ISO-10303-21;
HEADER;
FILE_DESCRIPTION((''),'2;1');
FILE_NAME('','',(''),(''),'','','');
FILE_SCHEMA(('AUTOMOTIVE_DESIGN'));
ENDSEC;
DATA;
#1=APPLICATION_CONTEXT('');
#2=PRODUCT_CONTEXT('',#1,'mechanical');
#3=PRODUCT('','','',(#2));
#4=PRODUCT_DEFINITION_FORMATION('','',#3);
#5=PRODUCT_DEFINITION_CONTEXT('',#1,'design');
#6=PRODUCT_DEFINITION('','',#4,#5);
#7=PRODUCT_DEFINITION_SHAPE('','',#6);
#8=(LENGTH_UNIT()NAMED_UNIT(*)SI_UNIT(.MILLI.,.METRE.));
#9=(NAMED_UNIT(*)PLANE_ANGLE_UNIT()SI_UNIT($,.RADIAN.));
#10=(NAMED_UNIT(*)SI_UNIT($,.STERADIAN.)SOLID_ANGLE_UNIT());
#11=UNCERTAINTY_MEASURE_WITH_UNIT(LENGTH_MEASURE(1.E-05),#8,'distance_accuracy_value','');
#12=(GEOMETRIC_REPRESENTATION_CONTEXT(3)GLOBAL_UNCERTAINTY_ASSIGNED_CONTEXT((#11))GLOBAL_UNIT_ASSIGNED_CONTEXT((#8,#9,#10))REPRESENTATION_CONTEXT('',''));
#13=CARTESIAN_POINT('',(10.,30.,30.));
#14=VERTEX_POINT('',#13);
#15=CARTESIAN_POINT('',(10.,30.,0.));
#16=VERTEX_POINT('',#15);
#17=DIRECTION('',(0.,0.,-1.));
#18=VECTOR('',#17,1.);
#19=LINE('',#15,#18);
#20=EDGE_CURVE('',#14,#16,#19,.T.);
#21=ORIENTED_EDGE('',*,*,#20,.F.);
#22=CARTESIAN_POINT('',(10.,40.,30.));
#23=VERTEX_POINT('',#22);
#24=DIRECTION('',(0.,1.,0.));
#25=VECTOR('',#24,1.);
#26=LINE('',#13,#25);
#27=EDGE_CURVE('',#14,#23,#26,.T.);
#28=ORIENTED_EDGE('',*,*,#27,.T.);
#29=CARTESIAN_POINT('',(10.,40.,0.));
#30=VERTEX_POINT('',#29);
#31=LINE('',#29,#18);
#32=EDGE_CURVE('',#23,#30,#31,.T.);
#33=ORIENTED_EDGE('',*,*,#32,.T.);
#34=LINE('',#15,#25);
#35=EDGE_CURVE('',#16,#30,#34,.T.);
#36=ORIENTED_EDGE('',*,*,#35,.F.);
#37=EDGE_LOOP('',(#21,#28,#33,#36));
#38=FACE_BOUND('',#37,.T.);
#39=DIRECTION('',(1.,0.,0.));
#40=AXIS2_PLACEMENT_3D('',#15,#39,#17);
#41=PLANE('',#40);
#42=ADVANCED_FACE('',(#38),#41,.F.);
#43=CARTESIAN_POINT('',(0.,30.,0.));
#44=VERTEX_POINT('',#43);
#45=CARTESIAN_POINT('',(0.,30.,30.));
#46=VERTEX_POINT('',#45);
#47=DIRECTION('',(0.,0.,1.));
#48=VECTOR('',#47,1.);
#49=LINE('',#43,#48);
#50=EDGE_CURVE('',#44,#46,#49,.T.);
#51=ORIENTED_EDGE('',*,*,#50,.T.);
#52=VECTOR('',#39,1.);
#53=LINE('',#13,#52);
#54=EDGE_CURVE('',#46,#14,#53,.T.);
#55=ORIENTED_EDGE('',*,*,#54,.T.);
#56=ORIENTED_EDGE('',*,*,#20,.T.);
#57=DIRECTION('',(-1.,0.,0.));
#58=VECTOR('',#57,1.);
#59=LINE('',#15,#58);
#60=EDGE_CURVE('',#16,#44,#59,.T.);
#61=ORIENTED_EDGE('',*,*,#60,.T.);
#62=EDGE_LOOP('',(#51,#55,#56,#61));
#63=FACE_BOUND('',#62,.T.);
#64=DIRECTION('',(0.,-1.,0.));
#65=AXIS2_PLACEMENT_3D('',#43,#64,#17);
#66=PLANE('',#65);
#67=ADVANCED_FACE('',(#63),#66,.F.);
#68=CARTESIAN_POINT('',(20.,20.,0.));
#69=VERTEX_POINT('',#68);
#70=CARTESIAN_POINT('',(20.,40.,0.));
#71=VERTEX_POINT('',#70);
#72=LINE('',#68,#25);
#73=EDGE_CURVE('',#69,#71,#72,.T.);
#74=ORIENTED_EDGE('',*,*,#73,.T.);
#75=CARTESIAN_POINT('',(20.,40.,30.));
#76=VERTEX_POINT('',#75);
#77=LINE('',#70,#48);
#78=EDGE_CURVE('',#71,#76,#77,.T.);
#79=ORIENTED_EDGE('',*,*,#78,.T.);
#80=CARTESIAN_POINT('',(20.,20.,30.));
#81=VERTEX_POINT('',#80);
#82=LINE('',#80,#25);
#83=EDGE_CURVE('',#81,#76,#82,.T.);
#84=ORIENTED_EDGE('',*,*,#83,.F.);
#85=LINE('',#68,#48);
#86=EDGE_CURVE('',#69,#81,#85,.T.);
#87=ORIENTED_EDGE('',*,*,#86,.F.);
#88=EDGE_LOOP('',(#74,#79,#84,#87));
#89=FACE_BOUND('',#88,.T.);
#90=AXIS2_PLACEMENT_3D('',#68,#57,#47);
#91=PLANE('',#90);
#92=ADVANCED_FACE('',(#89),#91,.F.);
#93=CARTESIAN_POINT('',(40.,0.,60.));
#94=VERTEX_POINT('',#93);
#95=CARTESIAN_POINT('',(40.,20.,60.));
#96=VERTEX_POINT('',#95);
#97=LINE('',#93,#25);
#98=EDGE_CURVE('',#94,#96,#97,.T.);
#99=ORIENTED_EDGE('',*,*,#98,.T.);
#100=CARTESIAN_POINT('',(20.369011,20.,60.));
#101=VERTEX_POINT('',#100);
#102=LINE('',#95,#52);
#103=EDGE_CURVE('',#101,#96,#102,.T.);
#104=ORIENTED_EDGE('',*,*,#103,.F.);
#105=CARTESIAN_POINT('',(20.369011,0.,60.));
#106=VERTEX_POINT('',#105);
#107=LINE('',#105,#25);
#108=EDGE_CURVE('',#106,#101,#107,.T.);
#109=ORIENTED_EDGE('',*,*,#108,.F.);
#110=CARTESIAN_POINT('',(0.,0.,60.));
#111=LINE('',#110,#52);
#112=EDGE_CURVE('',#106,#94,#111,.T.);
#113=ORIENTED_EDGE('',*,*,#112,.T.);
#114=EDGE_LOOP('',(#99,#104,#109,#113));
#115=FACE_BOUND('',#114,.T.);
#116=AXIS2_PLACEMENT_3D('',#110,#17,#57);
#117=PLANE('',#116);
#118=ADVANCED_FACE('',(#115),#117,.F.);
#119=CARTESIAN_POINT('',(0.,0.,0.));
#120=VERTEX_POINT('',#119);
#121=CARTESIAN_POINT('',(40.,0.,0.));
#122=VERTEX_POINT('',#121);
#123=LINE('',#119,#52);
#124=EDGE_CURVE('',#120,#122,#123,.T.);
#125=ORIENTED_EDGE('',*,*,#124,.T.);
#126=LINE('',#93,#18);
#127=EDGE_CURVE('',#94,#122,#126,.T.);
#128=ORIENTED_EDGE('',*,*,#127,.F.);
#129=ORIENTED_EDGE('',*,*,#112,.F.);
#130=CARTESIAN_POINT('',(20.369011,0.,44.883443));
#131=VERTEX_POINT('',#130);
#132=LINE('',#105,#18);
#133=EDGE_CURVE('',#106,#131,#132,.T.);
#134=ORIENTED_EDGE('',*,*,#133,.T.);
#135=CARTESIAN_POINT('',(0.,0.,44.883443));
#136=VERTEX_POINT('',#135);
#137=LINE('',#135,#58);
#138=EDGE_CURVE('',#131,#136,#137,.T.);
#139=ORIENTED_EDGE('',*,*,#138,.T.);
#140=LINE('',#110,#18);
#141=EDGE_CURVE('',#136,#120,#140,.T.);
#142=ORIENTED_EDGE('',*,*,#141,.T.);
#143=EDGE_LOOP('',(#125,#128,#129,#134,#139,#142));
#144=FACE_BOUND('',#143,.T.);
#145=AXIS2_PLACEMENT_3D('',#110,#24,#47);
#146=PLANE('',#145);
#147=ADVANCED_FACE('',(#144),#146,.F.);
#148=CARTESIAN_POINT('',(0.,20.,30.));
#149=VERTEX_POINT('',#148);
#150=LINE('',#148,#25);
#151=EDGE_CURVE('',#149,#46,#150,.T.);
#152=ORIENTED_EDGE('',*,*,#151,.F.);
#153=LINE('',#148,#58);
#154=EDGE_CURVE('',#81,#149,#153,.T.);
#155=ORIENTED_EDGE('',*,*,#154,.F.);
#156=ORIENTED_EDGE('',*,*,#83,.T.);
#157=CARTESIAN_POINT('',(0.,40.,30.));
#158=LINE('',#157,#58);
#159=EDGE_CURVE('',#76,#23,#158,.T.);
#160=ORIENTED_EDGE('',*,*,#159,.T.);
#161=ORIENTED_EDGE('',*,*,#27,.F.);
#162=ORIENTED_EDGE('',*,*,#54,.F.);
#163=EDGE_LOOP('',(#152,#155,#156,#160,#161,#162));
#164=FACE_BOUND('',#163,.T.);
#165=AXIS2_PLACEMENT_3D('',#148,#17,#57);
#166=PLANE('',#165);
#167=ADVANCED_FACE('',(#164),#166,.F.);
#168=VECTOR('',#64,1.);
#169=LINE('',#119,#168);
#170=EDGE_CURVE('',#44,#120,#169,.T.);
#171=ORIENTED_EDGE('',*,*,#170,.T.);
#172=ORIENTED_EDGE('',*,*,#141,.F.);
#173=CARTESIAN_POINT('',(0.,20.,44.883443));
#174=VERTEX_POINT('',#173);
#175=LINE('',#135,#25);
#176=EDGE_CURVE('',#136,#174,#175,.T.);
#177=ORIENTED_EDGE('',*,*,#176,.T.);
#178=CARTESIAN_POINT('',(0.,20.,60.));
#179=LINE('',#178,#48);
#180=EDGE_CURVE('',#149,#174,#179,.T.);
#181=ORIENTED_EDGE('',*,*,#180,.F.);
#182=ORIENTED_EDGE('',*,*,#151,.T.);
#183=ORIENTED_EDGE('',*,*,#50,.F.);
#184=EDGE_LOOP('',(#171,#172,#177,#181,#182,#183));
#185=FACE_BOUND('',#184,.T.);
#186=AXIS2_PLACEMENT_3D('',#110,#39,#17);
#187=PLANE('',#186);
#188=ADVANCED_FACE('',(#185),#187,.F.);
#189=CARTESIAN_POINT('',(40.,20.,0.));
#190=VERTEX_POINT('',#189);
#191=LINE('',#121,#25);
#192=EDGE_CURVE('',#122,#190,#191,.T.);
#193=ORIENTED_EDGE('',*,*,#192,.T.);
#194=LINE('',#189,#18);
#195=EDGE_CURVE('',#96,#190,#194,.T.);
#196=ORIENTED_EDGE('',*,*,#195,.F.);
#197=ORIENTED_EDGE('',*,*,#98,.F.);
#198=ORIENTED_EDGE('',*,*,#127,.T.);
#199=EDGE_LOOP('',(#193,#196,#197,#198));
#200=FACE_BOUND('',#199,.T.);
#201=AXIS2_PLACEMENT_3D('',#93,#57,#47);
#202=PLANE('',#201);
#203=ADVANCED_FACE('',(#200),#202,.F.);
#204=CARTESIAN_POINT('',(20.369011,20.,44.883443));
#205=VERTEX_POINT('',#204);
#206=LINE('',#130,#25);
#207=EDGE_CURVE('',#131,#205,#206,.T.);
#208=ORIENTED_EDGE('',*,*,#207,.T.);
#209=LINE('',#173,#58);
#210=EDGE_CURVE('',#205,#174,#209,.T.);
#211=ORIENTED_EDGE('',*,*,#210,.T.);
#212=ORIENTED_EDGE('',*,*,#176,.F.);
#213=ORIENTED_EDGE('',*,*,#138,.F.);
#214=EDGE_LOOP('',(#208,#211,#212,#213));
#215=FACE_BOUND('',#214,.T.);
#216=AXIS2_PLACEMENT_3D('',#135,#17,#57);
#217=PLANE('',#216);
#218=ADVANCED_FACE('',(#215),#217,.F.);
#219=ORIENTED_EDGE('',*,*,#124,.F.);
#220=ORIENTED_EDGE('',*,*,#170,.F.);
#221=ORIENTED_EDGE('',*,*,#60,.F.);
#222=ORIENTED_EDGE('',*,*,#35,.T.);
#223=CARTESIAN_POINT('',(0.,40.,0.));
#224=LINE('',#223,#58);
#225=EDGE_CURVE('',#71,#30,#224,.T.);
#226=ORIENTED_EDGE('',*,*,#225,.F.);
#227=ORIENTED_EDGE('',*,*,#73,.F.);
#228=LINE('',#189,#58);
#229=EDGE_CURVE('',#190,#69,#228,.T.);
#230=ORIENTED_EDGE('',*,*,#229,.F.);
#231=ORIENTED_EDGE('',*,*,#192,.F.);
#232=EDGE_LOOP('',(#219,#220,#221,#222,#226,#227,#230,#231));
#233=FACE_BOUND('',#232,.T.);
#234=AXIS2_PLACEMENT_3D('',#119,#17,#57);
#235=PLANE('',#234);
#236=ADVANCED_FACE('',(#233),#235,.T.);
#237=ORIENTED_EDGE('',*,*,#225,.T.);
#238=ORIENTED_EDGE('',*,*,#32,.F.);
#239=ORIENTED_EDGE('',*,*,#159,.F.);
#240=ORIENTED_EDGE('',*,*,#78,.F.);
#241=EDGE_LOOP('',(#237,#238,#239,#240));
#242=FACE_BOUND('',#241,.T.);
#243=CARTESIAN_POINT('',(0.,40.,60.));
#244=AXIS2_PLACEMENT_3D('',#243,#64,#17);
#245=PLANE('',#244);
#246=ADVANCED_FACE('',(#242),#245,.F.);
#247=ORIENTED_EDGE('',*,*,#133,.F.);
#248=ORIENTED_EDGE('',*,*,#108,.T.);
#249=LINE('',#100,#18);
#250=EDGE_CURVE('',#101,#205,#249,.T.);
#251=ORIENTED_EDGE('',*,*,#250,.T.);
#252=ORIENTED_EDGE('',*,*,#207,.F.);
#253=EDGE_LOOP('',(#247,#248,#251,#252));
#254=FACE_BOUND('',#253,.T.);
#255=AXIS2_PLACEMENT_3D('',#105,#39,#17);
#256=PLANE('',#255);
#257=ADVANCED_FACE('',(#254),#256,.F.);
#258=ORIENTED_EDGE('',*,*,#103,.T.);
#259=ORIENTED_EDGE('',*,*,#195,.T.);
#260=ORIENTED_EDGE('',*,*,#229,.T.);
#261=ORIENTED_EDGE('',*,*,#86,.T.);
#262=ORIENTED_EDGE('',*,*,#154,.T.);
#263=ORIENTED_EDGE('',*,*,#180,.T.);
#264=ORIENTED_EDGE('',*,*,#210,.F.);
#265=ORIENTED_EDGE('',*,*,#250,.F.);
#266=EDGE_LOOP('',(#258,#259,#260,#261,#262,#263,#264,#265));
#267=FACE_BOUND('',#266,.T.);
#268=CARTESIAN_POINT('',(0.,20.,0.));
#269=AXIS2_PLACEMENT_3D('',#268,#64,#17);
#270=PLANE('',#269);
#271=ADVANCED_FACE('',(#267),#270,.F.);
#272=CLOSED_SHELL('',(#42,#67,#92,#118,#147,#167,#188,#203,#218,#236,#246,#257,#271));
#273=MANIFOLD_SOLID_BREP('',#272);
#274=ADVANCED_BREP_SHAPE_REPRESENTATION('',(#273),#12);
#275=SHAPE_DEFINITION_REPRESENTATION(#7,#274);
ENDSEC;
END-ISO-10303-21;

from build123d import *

# Parameters (mm, degrees)
SKETCH1_W           = 40
SKETCH1_H           = 40
BOSS_EXTRUDE1_DEPTH = 60
SKETCH2_W           = 20
SKETCH2_H           = 60
CUT_EXTRUDE1_DEPTH  = 20
SKETCH3_W           = 10
SKETCH3_H           = 30
CUT_EXTRUDE2_DEPTH  = 10
SKETCH4_W           = 20
SKETCH4_H           = 30
CUT_EXTRUDE3_DEPTH  = 20
SKETCH5_W           = 20.369010991
SKETCH5_H           = 15.116556711
CUT_EXTRUDE4_DEPTH  = 20


with BuildPart() as part:
    # Sketch1 → Boss-Extrude1 (new body)
    with BuildSketch(Plane.XY):
        with Locations((20, 20)):
            Rectangle(SKETCH1_W, SKETCH1_H)
    extrude(amount=BOSS_EXTRUDE1_DEPTH)

    # Sketch2 → Cut-Extrude1 (cut)
    with BuildSketch(Plane(origin=(0, 40, 0), x_dir=(1, 0, 0), z_dir=(0, 1, 0))):
        with Locations((30, -30)):
            Rectangle(SKETCH2_W, SKETCH2_H)
    extrude(amount=-CUT_EXTRUDE1_DEPTH, mode=Mode.SUBTRACT)

    # Sketch3 → Cut-Extrude2 (cut)
    with BuildSketch(Plane(origin=(0, 40, 0), x_dir=(1, 0, 0), z_dir=(0, 1, 0))):
        with Locations((5, -15)):
            Rectangle(SKETCH3_W, SKETCH3_H)
    extrude(amount=-CUT_EXTRUDE2_DEPTH, mode=Mode.SUBTRACT)

    # Sketch4 → Cut-Extrude3 (cut)
    with BuildSketch(Plane(origin=(0, 40, 0), x_dir=(1, 0, 0), z_dir=(0, 1, 0))):
        with Locations((10, -45)):
            Rectangle(SKETCH4_W, SKETCH4_H)
    extrude(amount=-CUT_EXTRUDE3_DEPTH, mode=Mode.SUBTRACT)

    # Sketch5 → Cut-Extrude4 (cut)
    with BuildSketch(Plane(origin=(0, 20, 0), x_dir=(1, 0, 0), z_dir=(0, 1, 0))):
        with Locations((10.184505495, -52.441721645)):
            Rectangle(SKETCH5_W, SKETCH5_H)
    extrude(amount=-CUT_EXTRUDE4_DEPTH, mode=Mode.SUBTRACT)


solid = part.part
